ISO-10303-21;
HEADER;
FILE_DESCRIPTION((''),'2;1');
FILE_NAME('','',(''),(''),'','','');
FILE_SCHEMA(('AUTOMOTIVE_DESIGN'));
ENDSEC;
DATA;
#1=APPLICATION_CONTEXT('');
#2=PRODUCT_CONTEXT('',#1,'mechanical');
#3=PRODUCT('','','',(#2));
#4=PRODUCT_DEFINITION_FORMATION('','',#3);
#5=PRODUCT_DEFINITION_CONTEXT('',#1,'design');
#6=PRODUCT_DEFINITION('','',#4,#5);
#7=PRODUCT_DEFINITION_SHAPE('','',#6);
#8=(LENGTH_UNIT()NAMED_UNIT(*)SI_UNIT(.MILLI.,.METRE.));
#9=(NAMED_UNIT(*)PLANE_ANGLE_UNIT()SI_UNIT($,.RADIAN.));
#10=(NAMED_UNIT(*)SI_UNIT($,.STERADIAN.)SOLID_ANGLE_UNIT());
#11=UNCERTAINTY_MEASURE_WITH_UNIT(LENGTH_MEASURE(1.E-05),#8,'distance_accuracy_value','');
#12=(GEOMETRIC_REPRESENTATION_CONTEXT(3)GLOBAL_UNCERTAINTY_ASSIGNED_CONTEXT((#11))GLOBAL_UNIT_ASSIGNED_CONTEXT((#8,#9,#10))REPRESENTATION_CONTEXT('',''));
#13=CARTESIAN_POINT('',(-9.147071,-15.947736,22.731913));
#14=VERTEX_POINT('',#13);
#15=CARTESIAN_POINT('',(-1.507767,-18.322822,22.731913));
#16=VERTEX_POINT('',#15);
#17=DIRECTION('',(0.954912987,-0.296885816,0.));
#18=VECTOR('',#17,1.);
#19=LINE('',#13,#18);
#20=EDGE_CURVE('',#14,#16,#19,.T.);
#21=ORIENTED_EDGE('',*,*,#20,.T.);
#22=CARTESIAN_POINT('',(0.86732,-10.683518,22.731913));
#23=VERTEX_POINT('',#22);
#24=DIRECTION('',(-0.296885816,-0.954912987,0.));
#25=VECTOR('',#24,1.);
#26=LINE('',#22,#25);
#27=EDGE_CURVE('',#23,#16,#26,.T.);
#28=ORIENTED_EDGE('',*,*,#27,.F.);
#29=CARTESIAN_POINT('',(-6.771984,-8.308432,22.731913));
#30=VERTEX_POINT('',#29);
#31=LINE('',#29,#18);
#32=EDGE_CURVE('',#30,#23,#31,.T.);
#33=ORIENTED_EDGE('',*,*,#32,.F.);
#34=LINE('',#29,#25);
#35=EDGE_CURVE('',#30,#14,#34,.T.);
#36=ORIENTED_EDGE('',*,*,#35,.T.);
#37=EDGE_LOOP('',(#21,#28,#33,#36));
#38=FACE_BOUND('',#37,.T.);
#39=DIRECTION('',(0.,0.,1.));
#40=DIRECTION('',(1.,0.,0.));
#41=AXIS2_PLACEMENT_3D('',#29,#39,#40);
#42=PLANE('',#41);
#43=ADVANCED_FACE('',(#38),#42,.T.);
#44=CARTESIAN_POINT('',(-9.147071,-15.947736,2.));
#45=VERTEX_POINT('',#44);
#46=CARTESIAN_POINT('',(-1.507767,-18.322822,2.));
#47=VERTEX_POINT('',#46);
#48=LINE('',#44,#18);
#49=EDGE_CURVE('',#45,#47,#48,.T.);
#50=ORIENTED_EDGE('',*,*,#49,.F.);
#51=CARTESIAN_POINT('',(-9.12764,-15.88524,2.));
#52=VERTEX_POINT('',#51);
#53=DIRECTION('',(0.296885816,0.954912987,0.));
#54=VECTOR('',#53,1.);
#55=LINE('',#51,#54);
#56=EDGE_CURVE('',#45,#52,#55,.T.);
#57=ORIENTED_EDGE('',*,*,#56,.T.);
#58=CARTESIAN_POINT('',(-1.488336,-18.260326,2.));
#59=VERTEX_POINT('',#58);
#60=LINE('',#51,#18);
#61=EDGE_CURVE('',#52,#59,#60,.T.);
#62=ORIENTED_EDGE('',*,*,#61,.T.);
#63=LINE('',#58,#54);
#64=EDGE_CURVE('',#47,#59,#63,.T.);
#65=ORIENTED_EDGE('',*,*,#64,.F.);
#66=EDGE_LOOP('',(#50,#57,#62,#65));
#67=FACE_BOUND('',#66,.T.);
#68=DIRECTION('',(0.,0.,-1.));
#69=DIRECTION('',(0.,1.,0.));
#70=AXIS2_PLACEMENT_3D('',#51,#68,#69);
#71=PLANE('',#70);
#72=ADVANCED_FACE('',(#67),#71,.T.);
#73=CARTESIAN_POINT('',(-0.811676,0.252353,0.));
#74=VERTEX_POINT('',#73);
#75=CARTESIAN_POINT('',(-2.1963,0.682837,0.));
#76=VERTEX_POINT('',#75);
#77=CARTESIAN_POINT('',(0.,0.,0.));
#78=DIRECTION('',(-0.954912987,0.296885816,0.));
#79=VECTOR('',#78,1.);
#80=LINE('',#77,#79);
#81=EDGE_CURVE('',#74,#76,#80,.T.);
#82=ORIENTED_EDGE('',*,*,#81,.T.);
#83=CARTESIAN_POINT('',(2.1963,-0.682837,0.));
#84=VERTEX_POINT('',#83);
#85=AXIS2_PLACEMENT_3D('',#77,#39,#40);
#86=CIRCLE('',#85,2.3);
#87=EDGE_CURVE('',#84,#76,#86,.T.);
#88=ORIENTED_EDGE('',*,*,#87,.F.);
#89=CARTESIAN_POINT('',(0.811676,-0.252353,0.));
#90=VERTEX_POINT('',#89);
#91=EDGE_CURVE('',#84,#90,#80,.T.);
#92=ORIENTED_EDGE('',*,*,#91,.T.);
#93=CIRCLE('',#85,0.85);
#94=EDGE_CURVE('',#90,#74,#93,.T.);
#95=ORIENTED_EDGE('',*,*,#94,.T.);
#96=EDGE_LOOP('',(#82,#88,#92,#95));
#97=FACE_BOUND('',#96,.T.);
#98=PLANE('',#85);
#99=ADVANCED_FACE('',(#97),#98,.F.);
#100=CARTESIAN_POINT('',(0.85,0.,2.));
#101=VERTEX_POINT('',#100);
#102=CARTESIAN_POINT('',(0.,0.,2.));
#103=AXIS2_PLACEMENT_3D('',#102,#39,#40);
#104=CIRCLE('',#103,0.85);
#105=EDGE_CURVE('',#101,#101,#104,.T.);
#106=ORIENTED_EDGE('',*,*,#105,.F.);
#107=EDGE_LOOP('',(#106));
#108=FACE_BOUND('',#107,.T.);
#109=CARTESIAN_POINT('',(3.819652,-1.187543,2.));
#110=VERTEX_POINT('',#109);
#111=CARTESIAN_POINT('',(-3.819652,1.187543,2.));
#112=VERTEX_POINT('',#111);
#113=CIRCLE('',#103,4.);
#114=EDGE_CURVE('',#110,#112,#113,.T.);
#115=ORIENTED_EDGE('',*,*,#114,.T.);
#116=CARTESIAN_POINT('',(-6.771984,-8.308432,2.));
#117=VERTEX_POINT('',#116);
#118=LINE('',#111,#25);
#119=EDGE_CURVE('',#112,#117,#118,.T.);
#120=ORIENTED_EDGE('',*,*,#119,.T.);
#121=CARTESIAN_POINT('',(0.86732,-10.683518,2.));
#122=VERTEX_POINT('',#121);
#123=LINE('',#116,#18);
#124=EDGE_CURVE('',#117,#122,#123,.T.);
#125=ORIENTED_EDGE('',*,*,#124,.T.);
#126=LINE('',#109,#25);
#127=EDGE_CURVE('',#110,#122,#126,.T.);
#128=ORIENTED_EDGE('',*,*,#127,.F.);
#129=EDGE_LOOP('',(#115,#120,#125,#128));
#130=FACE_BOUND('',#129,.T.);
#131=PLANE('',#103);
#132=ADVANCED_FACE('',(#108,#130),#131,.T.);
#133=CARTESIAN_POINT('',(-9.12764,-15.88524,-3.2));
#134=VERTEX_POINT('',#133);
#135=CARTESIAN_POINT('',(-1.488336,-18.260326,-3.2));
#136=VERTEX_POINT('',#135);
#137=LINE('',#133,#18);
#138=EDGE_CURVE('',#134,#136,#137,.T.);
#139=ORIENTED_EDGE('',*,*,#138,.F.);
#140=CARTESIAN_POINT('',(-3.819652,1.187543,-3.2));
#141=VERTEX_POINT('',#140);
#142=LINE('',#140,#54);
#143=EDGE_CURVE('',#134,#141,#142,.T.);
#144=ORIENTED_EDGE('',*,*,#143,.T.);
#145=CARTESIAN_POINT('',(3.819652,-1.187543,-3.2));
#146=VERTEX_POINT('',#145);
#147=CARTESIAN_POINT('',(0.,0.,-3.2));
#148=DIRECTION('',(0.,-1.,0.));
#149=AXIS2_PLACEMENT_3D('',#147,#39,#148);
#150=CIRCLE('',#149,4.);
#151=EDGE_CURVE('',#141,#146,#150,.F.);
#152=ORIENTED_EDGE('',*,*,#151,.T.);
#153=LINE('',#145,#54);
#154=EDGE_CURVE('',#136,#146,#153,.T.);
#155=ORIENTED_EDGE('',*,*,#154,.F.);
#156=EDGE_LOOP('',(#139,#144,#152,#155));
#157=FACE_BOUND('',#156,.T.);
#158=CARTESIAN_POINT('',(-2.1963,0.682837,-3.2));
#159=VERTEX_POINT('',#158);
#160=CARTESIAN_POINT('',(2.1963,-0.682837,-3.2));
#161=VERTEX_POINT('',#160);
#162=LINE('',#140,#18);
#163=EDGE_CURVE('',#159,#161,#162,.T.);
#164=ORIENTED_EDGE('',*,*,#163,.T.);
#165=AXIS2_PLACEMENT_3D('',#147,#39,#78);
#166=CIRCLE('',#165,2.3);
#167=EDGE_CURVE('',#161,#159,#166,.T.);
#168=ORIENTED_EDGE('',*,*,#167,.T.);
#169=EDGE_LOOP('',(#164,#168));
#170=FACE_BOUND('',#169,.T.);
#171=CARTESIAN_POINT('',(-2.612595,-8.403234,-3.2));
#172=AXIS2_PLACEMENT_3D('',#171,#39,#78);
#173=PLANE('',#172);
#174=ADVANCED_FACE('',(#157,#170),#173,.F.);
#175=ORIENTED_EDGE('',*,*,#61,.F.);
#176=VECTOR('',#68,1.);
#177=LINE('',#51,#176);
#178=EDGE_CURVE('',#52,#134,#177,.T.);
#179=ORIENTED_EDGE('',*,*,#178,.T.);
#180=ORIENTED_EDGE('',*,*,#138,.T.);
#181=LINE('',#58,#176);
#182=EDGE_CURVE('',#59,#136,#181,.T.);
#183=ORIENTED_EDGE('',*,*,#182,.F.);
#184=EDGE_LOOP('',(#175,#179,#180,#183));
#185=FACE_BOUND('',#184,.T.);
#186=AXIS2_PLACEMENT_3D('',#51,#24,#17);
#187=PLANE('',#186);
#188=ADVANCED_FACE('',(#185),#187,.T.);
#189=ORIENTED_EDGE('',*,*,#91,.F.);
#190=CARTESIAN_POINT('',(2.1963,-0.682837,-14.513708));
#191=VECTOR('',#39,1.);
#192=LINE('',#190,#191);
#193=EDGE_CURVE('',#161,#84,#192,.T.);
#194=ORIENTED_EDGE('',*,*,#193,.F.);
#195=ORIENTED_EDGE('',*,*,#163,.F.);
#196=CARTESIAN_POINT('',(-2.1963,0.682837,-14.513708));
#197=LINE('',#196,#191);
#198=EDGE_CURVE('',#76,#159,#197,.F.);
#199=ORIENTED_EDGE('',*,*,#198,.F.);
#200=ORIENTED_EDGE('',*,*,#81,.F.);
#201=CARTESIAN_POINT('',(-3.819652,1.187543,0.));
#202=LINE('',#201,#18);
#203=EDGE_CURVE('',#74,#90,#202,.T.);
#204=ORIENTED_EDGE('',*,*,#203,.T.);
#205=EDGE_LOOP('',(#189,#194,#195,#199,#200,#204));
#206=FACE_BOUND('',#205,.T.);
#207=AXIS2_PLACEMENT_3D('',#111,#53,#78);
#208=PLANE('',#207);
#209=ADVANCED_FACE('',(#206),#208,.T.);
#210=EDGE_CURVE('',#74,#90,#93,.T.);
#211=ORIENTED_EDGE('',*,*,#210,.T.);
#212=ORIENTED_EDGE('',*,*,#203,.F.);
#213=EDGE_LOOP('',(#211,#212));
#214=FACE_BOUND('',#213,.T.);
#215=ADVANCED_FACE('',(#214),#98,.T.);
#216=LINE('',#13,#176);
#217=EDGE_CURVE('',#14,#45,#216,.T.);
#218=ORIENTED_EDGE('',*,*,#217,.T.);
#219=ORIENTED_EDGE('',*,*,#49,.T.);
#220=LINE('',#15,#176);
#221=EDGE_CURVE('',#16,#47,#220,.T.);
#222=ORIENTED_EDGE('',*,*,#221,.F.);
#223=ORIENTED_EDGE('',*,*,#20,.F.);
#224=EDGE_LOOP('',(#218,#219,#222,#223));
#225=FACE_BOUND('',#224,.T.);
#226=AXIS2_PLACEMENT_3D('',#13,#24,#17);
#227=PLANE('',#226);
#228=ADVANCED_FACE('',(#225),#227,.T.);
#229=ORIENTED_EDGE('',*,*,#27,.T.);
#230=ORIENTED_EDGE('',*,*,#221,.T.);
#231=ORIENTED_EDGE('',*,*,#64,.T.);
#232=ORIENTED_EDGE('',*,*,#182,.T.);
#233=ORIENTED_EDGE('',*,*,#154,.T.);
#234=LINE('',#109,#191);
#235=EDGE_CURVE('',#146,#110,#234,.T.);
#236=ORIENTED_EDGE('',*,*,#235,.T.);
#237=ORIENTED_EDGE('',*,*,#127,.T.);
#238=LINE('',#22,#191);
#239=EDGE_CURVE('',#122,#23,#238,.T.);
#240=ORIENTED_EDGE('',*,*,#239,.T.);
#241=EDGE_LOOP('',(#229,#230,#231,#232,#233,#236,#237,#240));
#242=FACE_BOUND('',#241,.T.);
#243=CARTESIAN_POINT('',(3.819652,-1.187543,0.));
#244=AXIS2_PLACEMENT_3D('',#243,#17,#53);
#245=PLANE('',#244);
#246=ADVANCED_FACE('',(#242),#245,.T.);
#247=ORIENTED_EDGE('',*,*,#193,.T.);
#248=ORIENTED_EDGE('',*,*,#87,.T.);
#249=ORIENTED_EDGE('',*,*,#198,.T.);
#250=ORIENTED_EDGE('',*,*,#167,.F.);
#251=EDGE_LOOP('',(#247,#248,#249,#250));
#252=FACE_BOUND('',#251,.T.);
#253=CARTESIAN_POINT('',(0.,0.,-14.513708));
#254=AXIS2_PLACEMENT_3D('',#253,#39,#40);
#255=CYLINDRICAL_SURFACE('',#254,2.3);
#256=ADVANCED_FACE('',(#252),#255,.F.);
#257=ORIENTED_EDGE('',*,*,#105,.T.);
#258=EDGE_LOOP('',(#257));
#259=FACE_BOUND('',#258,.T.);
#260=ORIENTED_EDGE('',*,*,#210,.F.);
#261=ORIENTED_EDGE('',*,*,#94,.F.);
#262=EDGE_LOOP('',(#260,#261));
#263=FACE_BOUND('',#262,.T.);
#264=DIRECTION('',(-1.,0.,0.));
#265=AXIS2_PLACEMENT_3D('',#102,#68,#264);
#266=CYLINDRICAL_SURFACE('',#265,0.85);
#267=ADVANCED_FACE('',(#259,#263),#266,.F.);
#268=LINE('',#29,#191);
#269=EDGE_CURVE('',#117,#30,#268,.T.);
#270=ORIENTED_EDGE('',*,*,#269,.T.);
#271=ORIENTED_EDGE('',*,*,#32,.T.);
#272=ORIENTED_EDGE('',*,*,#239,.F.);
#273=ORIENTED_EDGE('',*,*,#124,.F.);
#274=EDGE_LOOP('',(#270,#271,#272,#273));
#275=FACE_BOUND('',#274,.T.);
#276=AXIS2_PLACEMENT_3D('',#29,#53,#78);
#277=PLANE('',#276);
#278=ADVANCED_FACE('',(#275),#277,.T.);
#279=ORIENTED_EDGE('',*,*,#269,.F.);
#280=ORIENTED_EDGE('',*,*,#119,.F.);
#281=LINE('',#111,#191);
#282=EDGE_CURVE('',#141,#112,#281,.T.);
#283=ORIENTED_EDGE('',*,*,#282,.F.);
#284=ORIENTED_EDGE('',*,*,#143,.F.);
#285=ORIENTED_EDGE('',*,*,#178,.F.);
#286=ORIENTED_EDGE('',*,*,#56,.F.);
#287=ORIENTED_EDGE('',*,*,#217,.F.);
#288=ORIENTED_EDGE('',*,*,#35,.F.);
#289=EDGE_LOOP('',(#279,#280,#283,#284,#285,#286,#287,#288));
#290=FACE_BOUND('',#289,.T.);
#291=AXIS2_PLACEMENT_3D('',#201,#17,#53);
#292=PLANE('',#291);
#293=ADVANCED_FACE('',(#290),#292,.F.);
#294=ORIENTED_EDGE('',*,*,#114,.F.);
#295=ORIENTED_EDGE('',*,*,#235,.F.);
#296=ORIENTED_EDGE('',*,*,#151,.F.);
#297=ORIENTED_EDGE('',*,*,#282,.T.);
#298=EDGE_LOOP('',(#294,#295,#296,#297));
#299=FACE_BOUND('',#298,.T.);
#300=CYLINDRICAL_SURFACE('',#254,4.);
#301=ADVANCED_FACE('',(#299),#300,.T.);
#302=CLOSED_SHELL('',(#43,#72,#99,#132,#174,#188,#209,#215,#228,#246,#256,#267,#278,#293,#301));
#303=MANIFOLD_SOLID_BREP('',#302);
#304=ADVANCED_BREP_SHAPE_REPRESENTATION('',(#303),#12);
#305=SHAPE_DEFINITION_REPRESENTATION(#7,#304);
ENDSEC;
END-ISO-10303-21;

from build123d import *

# Parameters (mm, degrees)
SKETCH1_R           = 4
SKETCH1_R_2         = 2.3
BOSS_EXTRUDE1_DEPTH = 3.2
SKETCH2_R           = 4
SKETCH2_R_2         = 0.85
BOSS_EXTRUDE2_DEPTH = 2
BOSS_EXTRUDE3_DEPTH = 8
SKETCH6_R           = 0.85
CUT_EXTRUDE1_DEPTH  = 2


with BuildPart() as part:
    # Sketch1 → Boss-Extrude1 (new body)
    with BuildSketch(Plane.XY):
        Circle(SKETCH1_R)
        Circle(SKETCH1_R_2, mode=Mode.SUBTRACT)
    extrude(amount=-BOSS_EXTRUDE1_DEPTH)

    # Sketch2 → Boss-Extrude2 (add)
    with BuildSketch(Plane.XY):
        Circle(SKETCH2_R)
        Circle(SKETCH2_R_2, mode=Mode.SUBTRACT)
    extrude(amount=BOSS_EXTRUDE2_DEPTH)

    # Sketch5 → Boss-Extrude3 (add)
    with BuildSketch(Plane(origin=(3.819651946, -1.187543266, 0), x_dir=(0, 0, -1), z_dir=(0.954912987, -0.296885816, 0))):
        Polygon((-2, 0), (3.2, 0), (3.2, -17.878888538), (-2, -17.878888538), (-2, -17.94433562), (-22.731913212, -17.94433562), (-22.731913212, -9.94433562), (-2, -9.94433562), align=None)
    extrude(amount=-BOSS_EXTRUDE3_DEPTH)

    # Sketch6 → Cut-Extrude1 (cut)
    with BuildSketch(Plane.XY.offset(2)):
        Circle(SKETCH6_R)
    extrude(amount=-CUT_EXTRUDE1_DEPTH, mode=Mode.SUBTRACT)


solid = part.part
